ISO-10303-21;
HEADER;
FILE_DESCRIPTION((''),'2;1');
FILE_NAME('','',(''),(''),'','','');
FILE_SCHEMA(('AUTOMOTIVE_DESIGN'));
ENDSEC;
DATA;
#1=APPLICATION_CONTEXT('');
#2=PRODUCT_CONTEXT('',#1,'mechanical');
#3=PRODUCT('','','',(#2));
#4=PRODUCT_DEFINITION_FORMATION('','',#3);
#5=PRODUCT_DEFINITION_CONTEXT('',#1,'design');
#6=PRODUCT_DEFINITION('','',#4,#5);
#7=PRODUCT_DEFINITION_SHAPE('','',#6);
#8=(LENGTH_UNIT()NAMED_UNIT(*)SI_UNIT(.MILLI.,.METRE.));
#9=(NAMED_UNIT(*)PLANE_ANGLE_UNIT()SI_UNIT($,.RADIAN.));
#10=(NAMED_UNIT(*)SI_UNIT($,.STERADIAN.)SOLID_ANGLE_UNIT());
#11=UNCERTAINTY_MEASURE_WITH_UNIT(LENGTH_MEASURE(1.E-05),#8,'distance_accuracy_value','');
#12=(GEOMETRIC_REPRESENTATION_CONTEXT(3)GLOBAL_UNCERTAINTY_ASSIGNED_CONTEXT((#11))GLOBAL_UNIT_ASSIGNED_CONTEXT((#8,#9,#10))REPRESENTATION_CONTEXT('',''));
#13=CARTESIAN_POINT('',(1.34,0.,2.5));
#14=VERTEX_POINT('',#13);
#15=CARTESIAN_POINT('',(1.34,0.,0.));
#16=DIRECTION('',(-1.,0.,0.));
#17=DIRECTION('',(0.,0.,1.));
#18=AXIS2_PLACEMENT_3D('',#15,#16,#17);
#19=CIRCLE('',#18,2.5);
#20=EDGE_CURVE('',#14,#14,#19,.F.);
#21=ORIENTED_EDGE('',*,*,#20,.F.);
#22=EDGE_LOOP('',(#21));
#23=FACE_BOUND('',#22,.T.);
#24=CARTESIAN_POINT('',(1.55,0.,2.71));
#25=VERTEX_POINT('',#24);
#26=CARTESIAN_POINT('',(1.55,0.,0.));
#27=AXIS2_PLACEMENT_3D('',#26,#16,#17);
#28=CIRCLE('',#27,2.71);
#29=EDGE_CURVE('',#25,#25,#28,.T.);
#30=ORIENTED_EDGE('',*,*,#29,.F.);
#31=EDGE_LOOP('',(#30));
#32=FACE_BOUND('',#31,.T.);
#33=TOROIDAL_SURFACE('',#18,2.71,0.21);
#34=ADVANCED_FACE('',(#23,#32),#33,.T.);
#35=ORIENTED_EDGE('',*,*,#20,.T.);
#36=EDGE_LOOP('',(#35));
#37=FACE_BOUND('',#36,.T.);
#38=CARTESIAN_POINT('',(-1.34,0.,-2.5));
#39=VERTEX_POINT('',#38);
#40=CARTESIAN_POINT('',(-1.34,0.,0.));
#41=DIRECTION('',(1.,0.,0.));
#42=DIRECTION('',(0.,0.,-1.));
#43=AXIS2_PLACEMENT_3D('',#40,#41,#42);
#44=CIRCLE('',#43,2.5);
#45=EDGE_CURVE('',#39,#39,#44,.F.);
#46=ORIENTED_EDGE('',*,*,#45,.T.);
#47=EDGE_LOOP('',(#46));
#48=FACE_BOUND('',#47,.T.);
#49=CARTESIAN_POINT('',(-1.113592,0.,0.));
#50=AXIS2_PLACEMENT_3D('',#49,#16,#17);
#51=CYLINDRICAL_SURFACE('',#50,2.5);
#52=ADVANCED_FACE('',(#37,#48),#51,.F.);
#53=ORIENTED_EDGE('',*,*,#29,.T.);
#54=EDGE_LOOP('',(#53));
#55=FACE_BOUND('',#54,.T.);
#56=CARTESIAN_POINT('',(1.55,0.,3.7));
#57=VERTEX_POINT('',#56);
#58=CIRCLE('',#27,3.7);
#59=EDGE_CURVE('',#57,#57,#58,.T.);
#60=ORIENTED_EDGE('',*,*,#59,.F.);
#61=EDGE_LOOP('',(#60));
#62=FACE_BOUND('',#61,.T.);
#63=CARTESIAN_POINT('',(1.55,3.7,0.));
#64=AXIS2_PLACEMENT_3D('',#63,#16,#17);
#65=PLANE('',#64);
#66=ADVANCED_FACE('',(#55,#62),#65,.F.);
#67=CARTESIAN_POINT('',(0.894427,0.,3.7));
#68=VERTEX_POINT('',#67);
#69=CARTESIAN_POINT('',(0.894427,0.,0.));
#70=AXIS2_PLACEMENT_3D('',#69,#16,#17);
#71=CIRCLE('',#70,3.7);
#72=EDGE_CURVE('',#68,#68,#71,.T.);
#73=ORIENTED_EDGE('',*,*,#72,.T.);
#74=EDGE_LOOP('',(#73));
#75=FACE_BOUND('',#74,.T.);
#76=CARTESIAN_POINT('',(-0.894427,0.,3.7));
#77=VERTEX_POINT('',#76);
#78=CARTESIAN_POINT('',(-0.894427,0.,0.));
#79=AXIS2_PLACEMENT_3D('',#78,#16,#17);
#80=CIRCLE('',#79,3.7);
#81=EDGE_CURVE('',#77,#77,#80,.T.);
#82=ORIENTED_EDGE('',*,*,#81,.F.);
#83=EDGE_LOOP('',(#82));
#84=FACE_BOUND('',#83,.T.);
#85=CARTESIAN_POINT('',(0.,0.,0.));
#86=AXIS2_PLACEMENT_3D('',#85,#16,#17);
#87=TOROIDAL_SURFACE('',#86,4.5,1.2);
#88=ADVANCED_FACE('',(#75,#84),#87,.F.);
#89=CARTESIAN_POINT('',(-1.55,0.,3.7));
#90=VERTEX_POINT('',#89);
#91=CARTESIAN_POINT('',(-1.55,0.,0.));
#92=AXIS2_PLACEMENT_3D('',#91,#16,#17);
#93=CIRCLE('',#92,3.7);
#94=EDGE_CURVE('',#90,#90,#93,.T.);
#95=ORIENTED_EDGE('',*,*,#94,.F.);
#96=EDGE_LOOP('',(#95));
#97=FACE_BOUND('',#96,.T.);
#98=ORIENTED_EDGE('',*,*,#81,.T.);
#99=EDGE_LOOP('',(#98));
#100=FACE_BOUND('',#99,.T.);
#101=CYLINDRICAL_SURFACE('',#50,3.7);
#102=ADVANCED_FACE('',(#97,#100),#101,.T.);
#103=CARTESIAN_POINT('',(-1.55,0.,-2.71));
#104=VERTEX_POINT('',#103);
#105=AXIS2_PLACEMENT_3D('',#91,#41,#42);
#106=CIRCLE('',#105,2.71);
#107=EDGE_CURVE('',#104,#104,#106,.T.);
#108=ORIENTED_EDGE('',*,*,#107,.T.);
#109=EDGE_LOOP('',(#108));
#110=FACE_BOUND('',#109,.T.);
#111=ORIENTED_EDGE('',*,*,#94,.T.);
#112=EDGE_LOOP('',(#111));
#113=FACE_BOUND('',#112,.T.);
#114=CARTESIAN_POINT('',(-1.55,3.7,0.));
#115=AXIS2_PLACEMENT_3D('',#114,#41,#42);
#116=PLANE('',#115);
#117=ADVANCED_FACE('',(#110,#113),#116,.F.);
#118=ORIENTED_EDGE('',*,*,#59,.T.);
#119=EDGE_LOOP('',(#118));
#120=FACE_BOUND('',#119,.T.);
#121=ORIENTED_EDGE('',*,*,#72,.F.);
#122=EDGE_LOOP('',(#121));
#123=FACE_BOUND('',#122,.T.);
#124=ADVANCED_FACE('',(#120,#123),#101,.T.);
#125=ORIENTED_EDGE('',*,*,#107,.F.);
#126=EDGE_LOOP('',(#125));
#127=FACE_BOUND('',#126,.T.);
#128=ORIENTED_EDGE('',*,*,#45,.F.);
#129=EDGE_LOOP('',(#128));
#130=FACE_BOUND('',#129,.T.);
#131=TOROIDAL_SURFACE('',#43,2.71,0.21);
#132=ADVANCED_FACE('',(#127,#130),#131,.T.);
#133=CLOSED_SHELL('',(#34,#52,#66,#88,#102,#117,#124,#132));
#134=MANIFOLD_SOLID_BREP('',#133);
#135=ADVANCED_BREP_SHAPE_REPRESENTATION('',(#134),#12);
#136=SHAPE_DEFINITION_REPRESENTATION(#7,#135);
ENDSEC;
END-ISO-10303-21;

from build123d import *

# Parameters (mm, degrees)
FILLET1_R    = 2.1
SCALE1_SCALE = 0.1


with BuildPart() as part:
    # Sketch1 → Revolve1 (revolve)
    with BuildSketch(Plane.XY, mode=Mode.PRIVATE) as revolve1_sk:
        with BuildLine():
            Line((8.94427191, 37), (15.5, 37))
            Line((15.5, 37), (15.5, 25))
            Line((15.5, 25), (-15.5, 25))
            Line((-15.5, 25), (-15.5, 37))
            Line((-15.5, 37), (-8.94427191, 37))
            ThreePointArc((-8.94427191, 37), (0, 33), (8.94427191, 37))
        make_face()
    revolve(revolve1_sk.sketch.rotate(Axis((-11.13592233, 0, 0), (1, 0, 0)), 90), axis=Axis((-11.13592233, 0, 0), (1, 0, 0)))

    # Fillet1
    fillet1_edges = [part.edges().sort_by_distance(p)[0] for p in [
        (-15.5, 0, -25),
        (15.5, 0, -25),
    ]]
    fillet(fillet1_edges, radius=FILLET1_R)


with BuildPart() as part_1:
    # Scale1: scaled about (0, 0, 0)
    add(part.part.scale(SCALE1_SCALE))


solid = part_1.part
